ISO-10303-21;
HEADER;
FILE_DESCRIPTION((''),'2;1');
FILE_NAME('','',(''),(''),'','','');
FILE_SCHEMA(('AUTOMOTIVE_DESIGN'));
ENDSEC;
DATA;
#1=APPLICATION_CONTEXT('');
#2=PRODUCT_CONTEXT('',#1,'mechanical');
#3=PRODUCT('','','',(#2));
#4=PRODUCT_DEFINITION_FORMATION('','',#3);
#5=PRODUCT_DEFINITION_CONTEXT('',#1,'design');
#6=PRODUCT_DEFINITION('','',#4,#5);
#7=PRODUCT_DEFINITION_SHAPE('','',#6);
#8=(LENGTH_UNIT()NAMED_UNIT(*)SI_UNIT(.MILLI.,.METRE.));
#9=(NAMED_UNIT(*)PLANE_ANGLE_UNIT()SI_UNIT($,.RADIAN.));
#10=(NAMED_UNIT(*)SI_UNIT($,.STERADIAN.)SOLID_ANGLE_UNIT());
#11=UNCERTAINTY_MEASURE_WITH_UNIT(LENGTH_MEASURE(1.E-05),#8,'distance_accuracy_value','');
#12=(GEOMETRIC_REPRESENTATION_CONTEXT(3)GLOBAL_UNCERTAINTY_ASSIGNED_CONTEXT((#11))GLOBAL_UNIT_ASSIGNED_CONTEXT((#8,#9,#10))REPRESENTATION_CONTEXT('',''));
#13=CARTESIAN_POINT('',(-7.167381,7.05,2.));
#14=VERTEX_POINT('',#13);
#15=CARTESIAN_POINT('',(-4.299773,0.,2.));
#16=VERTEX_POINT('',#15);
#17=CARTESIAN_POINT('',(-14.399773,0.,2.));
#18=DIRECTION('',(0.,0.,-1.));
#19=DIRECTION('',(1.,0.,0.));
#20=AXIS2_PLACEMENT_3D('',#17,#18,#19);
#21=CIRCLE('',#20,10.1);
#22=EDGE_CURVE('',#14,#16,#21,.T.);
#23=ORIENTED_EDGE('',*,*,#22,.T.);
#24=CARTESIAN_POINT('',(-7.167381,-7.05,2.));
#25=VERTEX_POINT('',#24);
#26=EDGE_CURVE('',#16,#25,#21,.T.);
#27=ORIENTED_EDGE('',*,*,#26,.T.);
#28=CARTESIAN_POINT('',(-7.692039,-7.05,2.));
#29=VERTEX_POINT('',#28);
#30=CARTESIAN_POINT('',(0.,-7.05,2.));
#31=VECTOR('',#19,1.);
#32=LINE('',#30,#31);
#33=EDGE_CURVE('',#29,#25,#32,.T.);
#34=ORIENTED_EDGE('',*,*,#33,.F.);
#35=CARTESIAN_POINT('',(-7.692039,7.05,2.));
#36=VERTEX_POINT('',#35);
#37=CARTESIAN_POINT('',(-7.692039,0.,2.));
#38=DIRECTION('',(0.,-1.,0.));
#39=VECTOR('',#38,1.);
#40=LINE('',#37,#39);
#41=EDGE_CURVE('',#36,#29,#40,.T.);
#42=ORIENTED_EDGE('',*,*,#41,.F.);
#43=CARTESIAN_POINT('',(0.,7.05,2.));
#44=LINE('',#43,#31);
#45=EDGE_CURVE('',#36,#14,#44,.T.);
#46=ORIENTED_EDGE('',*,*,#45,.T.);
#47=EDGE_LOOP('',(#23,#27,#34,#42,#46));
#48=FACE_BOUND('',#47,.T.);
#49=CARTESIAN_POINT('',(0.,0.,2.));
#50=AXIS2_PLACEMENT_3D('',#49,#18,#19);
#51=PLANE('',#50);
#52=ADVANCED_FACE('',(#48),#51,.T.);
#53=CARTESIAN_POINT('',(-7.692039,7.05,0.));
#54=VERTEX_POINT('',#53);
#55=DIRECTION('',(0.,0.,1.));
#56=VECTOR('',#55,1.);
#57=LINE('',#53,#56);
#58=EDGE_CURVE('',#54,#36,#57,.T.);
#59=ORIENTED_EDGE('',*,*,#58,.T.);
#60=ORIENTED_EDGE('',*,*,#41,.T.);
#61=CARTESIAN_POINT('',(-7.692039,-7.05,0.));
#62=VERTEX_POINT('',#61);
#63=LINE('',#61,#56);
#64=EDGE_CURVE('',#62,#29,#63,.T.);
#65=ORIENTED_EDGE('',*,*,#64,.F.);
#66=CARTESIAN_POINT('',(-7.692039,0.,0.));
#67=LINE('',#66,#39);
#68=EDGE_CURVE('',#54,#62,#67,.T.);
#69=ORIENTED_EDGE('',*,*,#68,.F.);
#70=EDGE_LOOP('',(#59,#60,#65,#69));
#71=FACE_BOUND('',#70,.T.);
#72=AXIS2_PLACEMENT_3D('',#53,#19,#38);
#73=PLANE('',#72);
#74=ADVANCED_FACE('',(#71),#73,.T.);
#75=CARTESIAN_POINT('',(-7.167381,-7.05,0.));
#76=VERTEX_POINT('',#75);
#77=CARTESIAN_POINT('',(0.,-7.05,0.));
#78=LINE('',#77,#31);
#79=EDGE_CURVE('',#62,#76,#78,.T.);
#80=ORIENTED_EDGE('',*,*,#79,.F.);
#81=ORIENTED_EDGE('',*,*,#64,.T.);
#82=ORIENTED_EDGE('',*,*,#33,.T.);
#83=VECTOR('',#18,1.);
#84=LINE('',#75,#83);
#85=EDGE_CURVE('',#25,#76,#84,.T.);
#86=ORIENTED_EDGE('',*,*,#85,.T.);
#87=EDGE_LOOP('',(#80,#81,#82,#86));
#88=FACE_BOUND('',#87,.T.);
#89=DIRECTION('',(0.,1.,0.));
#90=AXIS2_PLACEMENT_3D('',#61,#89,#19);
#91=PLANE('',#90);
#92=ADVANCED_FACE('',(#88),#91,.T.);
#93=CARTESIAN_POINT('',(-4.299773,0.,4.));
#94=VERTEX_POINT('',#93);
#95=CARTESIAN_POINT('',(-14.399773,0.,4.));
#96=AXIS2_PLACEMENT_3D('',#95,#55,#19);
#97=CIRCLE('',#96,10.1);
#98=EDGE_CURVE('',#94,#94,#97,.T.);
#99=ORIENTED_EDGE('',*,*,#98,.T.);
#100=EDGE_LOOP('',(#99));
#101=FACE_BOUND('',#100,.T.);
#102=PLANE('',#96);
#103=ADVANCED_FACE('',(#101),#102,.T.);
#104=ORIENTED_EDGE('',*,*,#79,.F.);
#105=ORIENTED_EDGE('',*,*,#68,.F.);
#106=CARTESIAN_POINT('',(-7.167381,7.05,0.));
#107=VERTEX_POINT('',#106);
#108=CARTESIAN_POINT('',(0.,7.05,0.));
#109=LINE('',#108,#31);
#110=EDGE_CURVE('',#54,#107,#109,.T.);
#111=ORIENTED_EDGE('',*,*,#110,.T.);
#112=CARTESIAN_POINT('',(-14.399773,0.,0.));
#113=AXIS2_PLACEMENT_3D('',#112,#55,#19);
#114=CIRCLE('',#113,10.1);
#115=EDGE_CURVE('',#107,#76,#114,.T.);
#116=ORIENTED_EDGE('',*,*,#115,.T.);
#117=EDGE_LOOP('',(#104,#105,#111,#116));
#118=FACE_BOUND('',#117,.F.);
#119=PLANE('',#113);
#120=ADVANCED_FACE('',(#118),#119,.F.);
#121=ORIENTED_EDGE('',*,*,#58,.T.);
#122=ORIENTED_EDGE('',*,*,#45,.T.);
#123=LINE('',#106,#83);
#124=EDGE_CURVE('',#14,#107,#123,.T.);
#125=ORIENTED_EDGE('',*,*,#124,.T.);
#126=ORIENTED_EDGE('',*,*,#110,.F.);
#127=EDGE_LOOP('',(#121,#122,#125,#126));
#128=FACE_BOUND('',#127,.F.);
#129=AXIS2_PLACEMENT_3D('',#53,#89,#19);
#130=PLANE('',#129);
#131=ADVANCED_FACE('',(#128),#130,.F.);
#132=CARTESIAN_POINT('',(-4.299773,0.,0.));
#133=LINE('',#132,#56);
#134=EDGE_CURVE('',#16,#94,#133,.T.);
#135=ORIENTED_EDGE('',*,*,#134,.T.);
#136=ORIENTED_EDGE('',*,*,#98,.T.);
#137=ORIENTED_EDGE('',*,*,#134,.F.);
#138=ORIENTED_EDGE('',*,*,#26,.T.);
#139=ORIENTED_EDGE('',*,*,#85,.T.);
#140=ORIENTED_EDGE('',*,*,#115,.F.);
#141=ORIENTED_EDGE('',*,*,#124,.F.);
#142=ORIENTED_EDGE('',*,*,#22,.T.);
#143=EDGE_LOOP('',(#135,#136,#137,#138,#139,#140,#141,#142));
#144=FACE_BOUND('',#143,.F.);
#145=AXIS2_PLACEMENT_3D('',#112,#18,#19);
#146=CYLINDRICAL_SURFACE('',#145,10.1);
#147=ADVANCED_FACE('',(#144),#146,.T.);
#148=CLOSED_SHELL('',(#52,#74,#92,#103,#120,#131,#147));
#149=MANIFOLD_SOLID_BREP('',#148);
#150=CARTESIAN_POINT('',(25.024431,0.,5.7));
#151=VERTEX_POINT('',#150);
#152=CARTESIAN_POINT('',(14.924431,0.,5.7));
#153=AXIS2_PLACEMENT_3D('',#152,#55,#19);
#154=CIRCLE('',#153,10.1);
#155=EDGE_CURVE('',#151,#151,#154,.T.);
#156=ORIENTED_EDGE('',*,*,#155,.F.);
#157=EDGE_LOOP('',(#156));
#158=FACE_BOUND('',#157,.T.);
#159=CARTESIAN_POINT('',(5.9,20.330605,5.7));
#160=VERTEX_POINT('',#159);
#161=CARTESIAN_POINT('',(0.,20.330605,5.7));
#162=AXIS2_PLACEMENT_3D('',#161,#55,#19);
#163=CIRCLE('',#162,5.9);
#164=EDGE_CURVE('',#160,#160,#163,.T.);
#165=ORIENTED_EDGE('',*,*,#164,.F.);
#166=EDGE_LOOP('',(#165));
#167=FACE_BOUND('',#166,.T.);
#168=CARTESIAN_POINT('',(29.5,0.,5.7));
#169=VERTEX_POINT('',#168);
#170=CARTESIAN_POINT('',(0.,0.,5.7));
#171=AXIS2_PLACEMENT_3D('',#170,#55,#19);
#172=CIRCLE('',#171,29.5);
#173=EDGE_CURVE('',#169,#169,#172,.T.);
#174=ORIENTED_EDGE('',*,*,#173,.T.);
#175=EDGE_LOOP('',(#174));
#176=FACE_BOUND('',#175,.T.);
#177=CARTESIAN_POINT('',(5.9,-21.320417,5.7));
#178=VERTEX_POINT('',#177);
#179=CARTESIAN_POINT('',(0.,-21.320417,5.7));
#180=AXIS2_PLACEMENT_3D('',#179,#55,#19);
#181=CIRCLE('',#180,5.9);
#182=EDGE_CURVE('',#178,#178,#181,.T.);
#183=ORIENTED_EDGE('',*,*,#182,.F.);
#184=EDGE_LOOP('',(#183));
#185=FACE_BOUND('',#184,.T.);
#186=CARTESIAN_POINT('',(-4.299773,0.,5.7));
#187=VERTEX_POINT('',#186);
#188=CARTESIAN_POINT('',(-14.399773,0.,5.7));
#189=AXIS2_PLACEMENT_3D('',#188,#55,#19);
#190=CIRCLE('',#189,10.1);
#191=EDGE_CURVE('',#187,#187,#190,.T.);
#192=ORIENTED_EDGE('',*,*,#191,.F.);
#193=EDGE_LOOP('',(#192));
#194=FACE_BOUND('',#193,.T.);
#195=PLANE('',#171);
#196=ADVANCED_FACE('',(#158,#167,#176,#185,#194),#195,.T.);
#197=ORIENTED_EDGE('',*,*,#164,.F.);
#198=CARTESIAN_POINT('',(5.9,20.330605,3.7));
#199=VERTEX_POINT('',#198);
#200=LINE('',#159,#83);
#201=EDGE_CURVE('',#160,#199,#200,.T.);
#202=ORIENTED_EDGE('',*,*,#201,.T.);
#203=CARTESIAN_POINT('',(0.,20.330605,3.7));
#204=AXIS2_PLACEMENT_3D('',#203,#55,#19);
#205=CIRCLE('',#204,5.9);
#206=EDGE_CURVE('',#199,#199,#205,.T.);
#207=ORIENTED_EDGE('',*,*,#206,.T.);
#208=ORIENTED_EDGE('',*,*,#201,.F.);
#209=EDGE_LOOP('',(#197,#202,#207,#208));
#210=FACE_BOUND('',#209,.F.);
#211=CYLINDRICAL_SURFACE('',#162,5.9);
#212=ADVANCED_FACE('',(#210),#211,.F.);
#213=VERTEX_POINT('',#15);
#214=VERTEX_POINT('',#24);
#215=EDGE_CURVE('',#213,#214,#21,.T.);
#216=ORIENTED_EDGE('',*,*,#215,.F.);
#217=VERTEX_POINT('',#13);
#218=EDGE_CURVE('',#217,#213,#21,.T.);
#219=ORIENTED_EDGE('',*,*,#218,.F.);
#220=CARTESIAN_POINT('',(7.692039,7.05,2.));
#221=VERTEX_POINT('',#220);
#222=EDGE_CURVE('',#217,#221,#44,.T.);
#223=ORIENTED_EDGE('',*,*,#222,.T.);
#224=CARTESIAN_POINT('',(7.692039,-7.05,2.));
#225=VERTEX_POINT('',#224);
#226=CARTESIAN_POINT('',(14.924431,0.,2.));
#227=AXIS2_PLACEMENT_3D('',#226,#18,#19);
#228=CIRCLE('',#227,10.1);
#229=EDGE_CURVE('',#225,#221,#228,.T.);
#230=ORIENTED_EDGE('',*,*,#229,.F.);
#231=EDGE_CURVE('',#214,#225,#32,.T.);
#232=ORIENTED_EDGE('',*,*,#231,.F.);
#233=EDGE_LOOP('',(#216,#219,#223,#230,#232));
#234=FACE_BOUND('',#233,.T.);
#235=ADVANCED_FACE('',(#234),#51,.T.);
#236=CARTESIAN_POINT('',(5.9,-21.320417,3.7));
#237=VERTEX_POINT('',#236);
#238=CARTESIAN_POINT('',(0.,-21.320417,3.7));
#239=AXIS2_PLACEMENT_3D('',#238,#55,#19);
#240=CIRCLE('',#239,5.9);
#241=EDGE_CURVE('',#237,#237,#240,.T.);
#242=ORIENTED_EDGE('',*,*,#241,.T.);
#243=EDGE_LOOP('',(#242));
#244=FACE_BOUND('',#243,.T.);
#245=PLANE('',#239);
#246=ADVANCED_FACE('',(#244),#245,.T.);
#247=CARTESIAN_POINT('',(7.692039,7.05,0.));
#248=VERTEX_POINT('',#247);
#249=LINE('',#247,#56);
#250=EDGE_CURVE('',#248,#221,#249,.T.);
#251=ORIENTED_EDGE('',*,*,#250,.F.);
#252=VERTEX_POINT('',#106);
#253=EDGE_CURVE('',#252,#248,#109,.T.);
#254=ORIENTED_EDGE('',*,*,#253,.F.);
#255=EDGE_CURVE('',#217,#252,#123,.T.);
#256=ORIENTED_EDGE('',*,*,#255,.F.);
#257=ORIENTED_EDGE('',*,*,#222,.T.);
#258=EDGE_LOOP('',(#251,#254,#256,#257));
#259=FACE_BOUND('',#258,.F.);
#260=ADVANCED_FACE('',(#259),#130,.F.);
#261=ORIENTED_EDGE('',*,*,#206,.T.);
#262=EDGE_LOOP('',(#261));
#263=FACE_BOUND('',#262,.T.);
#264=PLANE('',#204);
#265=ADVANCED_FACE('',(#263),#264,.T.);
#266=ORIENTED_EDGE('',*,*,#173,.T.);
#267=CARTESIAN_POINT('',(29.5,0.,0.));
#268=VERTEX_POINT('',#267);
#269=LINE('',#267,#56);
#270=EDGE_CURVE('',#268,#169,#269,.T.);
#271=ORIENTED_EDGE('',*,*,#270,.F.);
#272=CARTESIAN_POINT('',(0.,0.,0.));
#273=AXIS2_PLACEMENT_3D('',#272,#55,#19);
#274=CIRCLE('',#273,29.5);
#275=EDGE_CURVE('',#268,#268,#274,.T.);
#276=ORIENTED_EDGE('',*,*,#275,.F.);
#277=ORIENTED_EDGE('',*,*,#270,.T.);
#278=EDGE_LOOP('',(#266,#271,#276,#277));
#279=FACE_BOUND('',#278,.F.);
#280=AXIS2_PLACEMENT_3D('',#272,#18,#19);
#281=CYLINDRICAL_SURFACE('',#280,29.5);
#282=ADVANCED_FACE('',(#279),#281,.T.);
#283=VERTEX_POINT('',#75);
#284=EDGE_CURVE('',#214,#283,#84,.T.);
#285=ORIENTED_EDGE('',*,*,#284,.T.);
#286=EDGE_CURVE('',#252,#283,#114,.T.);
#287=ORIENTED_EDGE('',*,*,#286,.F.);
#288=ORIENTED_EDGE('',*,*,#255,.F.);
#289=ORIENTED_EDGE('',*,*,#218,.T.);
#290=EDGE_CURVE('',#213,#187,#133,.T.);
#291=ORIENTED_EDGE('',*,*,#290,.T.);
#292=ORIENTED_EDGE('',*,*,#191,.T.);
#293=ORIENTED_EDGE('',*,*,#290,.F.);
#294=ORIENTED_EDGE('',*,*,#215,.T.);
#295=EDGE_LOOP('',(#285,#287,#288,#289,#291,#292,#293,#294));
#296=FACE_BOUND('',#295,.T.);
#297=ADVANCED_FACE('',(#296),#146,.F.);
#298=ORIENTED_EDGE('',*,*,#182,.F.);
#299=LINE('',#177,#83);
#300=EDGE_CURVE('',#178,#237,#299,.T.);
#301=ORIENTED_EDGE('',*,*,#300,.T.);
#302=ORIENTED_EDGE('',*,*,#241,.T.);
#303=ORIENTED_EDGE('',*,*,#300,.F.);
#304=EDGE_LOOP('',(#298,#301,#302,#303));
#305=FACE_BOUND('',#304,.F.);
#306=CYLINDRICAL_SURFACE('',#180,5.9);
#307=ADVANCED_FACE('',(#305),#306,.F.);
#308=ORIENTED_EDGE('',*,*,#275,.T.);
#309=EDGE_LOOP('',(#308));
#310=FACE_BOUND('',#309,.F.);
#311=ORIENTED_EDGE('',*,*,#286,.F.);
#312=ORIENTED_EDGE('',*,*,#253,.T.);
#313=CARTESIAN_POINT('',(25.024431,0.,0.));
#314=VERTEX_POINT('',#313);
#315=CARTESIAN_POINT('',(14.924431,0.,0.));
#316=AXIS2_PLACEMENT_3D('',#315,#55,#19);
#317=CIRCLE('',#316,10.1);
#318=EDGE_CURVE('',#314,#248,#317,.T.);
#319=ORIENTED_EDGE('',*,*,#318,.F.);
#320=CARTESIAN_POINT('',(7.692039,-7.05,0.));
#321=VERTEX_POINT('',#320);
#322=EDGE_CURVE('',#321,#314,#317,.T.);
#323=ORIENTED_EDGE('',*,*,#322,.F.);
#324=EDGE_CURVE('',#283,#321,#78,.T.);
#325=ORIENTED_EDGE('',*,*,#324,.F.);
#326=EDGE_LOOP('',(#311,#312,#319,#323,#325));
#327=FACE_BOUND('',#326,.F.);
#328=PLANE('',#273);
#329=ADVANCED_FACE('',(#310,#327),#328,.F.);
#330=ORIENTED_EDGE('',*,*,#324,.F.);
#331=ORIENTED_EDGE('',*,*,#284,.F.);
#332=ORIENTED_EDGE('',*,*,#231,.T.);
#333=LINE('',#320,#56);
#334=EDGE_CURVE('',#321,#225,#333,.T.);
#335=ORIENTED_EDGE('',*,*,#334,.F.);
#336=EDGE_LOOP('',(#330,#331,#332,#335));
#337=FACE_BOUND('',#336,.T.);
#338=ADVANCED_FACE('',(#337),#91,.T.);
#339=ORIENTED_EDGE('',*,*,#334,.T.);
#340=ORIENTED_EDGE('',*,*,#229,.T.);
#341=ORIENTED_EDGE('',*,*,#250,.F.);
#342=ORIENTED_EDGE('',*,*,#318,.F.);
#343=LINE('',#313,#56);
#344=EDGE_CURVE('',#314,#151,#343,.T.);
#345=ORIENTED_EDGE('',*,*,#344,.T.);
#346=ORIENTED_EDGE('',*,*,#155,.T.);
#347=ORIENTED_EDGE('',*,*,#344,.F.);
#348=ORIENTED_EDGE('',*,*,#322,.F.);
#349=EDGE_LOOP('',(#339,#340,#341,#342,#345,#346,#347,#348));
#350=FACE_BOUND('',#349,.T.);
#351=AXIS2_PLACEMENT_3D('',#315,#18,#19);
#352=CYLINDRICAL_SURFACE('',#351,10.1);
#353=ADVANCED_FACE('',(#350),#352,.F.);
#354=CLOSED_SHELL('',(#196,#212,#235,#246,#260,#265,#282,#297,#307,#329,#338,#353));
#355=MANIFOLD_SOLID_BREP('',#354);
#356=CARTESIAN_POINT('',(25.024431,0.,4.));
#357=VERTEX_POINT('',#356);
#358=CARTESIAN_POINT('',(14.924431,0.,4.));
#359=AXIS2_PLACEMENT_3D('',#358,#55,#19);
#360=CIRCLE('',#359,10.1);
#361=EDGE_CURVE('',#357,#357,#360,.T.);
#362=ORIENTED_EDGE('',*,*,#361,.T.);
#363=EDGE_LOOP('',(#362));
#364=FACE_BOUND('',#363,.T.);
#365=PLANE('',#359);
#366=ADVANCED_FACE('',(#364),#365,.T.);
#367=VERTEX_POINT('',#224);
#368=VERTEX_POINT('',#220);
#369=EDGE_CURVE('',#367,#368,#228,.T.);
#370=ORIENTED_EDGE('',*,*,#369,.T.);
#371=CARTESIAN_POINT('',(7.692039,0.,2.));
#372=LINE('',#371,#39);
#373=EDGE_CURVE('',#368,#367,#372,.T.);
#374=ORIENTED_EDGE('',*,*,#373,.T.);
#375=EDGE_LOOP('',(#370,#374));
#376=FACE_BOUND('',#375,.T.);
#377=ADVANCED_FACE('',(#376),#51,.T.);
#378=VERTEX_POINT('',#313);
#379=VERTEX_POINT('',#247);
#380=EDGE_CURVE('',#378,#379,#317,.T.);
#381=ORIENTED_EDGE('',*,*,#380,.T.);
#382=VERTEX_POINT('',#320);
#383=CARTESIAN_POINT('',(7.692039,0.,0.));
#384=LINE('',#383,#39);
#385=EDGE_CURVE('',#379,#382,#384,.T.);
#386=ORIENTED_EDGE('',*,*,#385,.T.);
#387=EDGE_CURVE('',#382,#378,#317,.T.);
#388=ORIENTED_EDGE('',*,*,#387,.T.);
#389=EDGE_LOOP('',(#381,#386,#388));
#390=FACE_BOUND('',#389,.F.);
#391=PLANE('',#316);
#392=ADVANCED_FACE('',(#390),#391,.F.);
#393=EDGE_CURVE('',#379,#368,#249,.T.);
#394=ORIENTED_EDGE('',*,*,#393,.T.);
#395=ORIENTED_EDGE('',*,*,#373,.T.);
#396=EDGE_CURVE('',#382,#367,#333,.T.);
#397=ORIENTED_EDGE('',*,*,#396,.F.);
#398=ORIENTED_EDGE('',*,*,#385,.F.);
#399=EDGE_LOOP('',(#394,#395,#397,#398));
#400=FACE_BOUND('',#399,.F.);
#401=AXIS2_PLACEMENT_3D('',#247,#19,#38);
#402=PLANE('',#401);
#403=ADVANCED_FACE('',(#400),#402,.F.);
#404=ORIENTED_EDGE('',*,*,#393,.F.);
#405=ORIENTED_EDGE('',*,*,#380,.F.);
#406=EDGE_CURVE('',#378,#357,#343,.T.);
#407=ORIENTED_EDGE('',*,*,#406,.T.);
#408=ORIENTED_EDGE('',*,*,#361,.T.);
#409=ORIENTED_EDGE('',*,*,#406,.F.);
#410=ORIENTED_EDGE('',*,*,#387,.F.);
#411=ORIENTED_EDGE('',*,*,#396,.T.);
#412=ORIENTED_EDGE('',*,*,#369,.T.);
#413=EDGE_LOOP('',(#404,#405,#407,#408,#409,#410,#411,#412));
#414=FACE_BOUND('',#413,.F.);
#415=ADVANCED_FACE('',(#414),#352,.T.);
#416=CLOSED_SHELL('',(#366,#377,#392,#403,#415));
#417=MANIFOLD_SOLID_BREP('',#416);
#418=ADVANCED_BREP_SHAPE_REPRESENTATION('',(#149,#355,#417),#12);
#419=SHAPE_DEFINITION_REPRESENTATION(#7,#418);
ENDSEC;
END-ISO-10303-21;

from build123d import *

# Parameters (mm, degrees)
F0_R     = 10.1
F1_DEPTH = 4
F0_R_2   = 29.5
F2_DEPTH = 5.7
F3_R     = 5.9
F4_DEPTH = 2
F5_W     = 15.384078
F5_H     = 14.1
F6_DEPTH = 2


with BuildPart() as f1:
    # F0 (on Top) → F1 (new body)
    with BuildSketch(Plane.XY):
        with Locations((-14.399773, 0)):
            Circle(F0_R)
        with Locations((14.924431, 0)):
            Circle(F0_R)
    extrude(amount=F1_DEPTH)


with BuildPart() as f2:
    # F0 (on Top) → F2 (new body)
    with BuildSketch(Plane.XY):
        Circle(F0_R_2)
        with Locations((-14.399773, 0)):
            Circle(F0_R, mode=Mode.SUBTRACT)
        with Locations((14.924431, 0)):
            Circle(F0_R, mode=Mode.SUBTRACT)
    extrude(amount=F2_DEPTH)

    # F3 (on face) → F4 (cut)
    with BuildSketch(Plane.XY.offset(5.7)):
        with Locations((0, 20.330605)):
            Circle(F3_R)
        with Locations((0, -21.320417)):
            Circle(F3_R)
    extrude(amount=-F4_DEPTH, mode=Mode.SUBTRACT)


with BuildPart() as f6_tool:
    # F5 (on face) → F6 (new body)
    with BuildSketch(Plane(origin=(0, 0, 0), x_dir=(1, 0, 0), z_dir=(0, 0, -1))):
        Rectangle(F5_W, F5_H)
    extrude(amount=-F6_DEPTH)


with BuildPart() as f1_1:
    add(f1.part)

    # F6: cut by f6_tool
    add(f6_tool.part, mode=Mode.SUBTRACT)


with BuildPart() as f2_1:
    add(f2.part)

    # F6: cut by f6_tool
    add(f6_tool.part, mode=Mode.SUBTRACT)


solid = Compound([f1_1.part, f2_1.part])
